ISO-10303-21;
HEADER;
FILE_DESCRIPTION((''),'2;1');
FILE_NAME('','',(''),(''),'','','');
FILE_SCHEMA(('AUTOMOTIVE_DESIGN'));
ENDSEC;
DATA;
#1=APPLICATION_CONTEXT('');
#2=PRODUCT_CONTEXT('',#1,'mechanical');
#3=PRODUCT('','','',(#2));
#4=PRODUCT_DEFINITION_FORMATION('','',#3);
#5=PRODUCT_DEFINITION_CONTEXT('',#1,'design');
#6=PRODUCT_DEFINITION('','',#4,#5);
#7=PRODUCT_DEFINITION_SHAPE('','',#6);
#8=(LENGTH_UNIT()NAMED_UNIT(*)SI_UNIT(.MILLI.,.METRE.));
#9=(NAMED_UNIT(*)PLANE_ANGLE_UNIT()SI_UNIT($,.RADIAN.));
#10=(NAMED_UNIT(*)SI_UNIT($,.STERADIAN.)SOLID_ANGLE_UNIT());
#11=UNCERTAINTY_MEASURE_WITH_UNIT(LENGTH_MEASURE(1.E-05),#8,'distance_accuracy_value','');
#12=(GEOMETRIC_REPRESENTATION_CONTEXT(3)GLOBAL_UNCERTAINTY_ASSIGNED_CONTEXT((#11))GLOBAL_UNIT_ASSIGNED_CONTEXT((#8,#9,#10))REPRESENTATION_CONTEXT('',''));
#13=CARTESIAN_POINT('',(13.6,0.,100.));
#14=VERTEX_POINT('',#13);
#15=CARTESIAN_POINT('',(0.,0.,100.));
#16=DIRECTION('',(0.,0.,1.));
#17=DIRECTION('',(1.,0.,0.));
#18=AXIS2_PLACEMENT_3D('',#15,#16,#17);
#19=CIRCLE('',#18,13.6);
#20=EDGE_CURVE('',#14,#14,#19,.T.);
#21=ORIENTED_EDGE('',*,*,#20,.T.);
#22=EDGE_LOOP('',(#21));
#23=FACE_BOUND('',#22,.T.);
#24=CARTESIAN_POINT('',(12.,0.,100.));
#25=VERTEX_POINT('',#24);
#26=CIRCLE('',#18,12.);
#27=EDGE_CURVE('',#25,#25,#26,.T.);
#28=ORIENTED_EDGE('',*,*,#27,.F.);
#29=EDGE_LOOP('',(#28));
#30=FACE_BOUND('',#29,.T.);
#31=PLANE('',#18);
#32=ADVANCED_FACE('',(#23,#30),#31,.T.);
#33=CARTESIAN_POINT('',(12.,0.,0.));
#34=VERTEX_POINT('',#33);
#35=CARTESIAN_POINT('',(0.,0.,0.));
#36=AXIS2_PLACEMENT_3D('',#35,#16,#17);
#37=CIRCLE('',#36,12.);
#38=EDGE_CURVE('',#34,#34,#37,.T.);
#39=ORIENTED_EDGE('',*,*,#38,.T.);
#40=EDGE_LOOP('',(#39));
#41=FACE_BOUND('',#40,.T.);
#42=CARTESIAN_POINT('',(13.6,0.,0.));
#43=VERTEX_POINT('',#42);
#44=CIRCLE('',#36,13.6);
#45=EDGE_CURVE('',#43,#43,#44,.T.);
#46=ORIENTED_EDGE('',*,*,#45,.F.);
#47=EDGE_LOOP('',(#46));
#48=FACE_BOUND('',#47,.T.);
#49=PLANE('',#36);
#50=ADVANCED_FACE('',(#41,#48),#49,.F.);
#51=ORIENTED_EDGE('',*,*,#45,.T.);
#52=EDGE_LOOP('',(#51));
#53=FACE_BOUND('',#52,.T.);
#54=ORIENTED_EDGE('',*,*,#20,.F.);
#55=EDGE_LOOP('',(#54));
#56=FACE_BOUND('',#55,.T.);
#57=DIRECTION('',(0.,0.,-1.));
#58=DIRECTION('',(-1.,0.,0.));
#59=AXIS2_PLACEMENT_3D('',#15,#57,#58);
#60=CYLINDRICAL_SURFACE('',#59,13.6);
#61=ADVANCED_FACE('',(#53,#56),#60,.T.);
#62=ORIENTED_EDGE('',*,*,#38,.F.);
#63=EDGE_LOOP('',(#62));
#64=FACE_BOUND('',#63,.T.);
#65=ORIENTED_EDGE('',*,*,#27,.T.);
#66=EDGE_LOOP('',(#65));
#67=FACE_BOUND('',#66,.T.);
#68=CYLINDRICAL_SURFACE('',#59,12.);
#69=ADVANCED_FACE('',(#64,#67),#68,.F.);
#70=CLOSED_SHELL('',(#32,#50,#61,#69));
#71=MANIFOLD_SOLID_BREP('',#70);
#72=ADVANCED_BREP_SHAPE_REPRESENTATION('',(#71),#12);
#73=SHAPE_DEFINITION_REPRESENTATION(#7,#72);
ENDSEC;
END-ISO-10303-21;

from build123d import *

# Parameters (mm, degrees)
SKETCH1_R           = 13.6
SKETCH1_R_2         = 12
BOSS_EXTRUDE1_DEPTH = 100


with BuildPart() as part:
    # Sketch1 → Boss-Extrude1 (new body)
    with BuildSketch(Plane(origin=(0, 0, 0), x_dir=(0, 1, 0), z_dir=(0, 0, 1))):
        with Locations(Location((0, 0, 0), (0, 0, 270))):
            Circle(SKETCH1_R)
        with Locations(Location((0, 0, 0), (0, 0, 270))):
            Circle(SKETCH1_R_2, mode=Mode.SUBTRACT)
    extrude(amount=BOSS_EXTRUDE1_DEPTH)


solid = part.part
